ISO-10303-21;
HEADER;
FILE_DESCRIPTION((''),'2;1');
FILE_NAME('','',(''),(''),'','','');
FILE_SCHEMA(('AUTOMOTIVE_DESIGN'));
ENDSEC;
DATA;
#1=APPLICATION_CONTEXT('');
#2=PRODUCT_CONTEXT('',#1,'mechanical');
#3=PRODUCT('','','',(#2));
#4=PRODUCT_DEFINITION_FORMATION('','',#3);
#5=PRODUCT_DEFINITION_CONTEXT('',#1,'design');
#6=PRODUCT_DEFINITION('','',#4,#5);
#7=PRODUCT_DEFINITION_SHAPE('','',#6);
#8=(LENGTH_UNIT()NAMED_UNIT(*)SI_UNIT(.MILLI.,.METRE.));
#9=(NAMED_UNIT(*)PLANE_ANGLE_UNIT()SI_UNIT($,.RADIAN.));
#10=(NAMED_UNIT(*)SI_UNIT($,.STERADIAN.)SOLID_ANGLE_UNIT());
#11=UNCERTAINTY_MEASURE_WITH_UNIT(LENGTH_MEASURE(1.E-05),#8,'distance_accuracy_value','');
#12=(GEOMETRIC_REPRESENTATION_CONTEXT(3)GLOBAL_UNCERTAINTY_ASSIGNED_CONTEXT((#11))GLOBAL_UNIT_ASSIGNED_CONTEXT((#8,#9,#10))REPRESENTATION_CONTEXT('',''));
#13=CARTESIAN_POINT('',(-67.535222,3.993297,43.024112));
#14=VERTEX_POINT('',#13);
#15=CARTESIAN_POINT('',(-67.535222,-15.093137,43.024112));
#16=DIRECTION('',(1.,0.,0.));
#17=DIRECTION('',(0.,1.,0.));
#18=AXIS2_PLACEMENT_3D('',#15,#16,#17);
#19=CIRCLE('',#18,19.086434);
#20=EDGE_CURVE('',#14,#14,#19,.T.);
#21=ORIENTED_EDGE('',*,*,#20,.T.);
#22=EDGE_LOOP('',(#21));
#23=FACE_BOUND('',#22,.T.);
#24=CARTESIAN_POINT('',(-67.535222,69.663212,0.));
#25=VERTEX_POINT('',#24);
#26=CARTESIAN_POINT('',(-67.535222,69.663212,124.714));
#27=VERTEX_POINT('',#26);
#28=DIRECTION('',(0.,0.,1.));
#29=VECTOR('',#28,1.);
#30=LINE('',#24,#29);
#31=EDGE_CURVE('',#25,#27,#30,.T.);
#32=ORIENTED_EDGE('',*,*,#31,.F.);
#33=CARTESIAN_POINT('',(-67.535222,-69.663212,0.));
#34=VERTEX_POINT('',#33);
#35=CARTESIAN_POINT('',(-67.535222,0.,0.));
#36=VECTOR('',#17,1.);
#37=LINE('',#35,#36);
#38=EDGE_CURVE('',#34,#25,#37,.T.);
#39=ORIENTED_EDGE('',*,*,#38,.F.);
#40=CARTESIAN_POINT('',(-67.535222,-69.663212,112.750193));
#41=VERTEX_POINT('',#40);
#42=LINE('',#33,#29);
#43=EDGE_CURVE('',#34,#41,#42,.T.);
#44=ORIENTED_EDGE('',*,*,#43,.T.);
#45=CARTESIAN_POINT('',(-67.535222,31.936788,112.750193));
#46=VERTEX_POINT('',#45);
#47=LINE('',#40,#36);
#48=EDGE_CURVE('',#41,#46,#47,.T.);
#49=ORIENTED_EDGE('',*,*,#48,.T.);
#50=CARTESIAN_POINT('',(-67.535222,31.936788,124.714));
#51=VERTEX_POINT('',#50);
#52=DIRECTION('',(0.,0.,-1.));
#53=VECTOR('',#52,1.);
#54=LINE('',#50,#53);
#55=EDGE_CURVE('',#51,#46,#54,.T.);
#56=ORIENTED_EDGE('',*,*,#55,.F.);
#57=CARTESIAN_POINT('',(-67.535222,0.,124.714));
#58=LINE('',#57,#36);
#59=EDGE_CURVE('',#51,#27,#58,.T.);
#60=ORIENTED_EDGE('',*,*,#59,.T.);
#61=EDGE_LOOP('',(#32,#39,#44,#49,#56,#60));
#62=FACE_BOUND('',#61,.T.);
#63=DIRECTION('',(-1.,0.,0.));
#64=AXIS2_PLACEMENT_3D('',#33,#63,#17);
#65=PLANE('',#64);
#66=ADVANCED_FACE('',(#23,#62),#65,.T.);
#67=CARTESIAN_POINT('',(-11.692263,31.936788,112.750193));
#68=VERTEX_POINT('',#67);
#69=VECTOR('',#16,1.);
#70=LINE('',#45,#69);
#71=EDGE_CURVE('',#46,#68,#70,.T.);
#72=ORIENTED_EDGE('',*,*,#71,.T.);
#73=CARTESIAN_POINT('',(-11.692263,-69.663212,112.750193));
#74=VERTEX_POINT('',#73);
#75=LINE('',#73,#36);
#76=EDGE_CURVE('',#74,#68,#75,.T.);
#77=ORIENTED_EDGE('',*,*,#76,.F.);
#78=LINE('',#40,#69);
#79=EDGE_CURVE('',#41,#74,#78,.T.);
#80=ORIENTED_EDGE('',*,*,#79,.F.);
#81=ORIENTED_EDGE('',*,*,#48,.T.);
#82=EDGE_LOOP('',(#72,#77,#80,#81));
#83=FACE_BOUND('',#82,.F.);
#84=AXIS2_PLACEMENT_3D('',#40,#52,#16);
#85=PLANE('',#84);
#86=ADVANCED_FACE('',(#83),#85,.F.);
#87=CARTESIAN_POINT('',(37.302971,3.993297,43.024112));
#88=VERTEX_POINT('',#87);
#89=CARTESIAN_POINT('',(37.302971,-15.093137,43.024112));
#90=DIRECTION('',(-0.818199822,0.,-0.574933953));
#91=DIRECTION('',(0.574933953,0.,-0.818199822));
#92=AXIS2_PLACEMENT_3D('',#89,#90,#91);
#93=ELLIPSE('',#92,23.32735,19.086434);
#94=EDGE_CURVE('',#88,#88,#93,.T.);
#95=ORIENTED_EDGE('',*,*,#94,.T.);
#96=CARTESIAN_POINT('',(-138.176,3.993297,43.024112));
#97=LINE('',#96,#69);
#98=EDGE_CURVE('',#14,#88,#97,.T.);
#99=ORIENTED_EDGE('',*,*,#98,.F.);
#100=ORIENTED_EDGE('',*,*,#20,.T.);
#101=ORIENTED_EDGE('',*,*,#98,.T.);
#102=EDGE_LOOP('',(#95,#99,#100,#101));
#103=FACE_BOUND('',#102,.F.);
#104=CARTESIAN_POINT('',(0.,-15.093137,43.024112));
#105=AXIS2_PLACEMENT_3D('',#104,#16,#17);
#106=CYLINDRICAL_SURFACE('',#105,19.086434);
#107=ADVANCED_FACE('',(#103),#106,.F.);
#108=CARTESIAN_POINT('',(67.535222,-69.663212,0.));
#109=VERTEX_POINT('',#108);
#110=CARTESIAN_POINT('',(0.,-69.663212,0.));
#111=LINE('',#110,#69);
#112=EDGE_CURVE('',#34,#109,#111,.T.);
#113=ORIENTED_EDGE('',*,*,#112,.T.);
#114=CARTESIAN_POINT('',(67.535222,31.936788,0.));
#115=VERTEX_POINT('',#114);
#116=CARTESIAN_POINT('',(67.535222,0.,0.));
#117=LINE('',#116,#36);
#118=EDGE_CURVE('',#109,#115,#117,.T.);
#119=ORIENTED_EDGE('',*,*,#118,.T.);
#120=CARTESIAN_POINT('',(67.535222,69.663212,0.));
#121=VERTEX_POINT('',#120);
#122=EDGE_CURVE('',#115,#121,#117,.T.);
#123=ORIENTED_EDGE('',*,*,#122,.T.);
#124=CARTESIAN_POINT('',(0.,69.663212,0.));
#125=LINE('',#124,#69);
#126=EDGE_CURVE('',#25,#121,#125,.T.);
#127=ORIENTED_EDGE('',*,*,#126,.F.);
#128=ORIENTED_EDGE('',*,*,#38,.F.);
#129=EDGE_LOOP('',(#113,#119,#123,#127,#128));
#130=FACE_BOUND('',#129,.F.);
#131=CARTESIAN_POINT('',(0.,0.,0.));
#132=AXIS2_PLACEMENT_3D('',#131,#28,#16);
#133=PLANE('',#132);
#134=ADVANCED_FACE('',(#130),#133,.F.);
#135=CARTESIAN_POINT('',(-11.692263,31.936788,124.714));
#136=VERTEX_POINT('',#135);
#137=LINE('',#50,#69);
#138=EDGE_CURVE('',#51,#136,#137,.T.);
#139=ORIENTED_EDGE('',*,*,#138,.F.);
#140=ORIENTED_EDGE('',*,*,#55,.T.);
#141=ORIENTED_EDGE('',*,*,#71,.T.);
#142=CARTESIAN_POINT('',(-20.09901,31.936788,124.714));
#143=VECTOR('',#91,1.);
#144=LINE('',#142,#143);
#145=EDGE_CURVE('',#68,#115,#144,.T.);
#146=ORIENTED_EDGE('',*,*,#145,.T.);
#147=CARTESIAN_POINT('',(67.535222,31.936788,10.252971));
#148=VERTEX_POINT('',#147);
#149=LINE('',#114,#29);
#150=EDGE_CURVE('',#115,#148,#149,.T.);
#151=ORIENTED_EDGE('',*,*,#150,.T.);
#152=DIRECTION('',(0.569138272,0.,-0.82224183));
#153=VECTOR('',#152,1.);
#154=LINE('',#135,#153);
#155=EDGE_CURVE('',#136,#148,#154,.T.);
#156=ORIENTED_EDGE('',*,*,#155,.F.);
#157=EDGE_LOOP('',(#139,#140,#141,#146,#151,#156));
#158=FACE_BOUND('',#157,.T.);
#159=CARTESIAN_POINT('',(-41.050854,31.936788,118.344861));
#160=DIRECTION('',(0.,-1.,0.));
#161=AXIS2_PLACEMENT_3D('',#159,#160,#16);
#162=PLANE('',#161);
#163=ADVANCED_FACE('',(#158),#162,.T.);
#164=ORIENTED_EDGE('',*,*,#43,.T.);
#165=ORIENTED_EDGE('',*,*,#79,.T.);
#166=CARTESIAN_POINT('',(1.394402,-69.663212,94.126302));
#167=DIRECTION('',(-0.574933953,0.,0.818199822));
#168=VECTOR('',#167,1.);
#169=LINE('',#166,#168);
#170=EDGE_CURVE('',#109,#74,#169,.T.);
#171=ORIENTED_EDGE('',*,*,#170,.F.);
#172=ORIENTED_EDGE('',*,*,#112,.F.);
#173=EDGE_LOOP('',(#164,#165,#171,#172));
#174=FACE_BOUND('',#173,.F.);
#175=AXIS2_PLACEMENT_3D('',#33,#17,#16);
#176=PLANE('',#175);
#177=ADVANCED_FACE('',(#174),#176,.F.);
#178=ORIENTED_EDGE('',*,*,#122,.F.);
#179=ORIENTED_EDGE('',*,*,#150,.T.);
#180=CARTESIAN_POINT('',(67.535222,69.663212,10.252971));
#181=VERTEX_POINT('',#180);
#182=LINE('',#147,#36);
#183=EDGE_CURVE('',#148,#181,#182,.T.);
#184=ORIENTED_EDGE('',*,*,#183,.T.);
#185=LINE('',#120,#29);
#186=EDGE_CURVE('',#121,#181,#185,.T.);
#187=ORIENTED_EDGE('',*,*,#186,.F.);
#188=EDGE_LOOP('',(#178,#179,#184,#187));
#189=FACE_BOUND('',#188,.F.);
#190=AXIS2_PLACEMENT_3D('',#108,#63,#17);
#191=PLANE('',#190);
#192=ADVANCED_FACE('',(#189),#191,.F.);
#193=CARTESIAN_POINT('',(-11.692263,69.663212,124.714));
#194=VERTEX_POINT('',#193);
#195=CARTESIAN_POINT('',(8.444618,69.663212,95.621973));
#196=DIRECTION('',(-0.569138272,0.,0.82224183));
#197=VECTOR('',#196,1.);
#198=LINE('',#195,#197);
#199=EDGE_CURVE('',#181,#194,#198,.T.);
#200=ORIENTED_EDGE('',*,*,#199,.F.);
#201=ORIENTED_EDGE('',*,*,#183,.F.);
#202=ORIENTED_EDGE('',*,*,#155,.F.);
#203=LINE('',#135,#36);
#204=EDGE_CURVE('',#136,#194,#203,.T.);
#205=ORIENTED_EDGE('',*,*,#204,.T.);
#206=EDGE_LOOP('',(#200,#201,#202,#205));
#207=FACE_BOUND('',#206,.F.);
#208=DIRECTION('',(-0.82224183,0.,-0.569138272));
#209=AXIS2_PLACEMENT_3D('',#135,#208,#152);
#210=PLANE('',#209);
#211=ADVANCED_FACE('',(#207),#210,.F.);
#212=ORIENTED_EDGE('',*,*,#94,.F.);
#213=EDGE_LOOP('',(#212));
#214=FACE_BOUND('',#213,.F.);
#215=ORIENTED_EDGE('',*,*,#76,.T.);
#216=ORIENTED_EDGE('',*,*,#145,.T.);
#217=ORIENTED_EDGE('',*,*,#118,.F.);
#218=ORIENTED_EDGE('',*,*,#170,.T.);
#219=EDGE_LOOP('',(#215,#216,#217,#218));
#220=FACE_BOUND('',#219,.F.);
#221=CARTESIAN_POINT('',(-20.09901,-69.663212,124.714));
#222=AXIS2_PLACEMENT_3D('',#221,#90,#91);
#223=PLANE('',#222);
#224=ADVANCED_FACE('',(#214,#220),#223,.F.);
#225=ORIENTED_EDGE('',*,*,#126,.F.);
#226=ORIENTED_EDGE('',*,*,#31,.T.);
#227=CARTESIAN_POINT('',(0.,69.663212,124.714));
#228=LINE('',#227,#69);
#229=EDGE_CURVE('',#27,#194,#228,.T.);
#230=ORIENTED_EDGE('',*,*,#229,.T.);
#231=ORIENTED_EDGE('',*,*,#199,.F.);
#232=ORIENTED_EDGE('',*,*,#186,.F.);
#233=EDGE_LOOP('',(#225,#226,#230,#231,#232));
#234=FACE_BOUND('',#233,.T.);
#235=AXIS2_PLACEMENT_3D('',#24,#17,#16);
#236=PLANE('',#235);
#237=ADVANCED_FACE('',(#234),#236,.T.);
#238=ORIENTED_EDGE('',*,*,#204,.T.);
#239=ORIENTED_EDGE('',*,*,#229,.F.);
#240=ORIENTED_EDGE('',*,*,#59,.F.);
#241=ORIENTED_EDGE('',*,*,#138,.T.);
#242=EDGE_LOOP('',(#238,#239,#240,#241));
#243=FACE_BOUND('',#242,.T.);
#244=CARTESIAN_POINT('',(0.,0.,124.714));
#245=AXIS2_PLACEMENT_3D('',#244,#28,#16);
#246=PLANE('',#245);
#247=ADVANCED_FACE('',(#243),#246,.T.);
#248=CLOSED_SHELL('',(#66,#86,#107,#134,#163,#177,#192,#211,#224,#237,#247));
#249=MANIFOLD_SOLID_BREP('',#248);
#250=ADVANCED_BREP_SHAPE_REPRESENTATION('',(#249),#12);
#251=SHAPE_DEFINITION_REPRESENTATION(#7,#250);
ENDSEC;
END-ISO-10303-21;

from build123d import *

# Parameters (mm, degrees)
F0_W     = 135.070444
F0_H     = 139.326424
F1_DEPTH = 124.714
F3_DEPTH = 101.6
F5_DEPTH = 101.6
F7_DEPTH = 50.8
F8_R     = 19.086434
F9_DEPTH = 138.176


with BuildPart() as f1:
    # F0 (on Top) → F1 (new body)
    with BuildSketch(Plane.XY):
        Rectangle(F0_W, F0_H)
    extrude(amount=F1_DEPTH)

    # F2 (on face) → F3 (cut, symmetric)
    with BuildSketch(Plane.XZ.offset(69.663212)):
        Polygon((67.535222, 124.714), (-20.09901, 124.714), (67.535222, 0), align=None)
    extrude(amount=F3_DEPTH, both=True, mode=Mode.SUBTRACT)

    # F4 (on face) → F5 (cut)
    with BuildSketch(Plane.XZ.offset(69.663212)):
        Polygon((-67.535222, 112.750193), (-11.692263, 112.750193), (-20.09901, 124.714), (-67.535222, 124.714), align=None)
    extrude(amount=-F5_DEPTH, mode=Mode.SUBTRACT)

    # F6 (on face) → F7 (cut)
    with BuildSketch(Plane.XZ.offset(-31.936788)):
        Polygon((67.535222, 124.714), (-11.692263, 124.714), (67.535222, 10.252971), align=None)
    extrude(amount=-F7_DEPTH, mode=Mode.SUBTRACT)

    # F8 (on Right) → F9 (cut, symmetric)
    with BuildSketch(Plane.YZ):
        with Locations((-15.093137, 43.024112)):
            Circle(F8_R)
    extrude(amount=F9_DEPTH, both=True, mode=Mode.SUBTRACT)


solid = f1.part
